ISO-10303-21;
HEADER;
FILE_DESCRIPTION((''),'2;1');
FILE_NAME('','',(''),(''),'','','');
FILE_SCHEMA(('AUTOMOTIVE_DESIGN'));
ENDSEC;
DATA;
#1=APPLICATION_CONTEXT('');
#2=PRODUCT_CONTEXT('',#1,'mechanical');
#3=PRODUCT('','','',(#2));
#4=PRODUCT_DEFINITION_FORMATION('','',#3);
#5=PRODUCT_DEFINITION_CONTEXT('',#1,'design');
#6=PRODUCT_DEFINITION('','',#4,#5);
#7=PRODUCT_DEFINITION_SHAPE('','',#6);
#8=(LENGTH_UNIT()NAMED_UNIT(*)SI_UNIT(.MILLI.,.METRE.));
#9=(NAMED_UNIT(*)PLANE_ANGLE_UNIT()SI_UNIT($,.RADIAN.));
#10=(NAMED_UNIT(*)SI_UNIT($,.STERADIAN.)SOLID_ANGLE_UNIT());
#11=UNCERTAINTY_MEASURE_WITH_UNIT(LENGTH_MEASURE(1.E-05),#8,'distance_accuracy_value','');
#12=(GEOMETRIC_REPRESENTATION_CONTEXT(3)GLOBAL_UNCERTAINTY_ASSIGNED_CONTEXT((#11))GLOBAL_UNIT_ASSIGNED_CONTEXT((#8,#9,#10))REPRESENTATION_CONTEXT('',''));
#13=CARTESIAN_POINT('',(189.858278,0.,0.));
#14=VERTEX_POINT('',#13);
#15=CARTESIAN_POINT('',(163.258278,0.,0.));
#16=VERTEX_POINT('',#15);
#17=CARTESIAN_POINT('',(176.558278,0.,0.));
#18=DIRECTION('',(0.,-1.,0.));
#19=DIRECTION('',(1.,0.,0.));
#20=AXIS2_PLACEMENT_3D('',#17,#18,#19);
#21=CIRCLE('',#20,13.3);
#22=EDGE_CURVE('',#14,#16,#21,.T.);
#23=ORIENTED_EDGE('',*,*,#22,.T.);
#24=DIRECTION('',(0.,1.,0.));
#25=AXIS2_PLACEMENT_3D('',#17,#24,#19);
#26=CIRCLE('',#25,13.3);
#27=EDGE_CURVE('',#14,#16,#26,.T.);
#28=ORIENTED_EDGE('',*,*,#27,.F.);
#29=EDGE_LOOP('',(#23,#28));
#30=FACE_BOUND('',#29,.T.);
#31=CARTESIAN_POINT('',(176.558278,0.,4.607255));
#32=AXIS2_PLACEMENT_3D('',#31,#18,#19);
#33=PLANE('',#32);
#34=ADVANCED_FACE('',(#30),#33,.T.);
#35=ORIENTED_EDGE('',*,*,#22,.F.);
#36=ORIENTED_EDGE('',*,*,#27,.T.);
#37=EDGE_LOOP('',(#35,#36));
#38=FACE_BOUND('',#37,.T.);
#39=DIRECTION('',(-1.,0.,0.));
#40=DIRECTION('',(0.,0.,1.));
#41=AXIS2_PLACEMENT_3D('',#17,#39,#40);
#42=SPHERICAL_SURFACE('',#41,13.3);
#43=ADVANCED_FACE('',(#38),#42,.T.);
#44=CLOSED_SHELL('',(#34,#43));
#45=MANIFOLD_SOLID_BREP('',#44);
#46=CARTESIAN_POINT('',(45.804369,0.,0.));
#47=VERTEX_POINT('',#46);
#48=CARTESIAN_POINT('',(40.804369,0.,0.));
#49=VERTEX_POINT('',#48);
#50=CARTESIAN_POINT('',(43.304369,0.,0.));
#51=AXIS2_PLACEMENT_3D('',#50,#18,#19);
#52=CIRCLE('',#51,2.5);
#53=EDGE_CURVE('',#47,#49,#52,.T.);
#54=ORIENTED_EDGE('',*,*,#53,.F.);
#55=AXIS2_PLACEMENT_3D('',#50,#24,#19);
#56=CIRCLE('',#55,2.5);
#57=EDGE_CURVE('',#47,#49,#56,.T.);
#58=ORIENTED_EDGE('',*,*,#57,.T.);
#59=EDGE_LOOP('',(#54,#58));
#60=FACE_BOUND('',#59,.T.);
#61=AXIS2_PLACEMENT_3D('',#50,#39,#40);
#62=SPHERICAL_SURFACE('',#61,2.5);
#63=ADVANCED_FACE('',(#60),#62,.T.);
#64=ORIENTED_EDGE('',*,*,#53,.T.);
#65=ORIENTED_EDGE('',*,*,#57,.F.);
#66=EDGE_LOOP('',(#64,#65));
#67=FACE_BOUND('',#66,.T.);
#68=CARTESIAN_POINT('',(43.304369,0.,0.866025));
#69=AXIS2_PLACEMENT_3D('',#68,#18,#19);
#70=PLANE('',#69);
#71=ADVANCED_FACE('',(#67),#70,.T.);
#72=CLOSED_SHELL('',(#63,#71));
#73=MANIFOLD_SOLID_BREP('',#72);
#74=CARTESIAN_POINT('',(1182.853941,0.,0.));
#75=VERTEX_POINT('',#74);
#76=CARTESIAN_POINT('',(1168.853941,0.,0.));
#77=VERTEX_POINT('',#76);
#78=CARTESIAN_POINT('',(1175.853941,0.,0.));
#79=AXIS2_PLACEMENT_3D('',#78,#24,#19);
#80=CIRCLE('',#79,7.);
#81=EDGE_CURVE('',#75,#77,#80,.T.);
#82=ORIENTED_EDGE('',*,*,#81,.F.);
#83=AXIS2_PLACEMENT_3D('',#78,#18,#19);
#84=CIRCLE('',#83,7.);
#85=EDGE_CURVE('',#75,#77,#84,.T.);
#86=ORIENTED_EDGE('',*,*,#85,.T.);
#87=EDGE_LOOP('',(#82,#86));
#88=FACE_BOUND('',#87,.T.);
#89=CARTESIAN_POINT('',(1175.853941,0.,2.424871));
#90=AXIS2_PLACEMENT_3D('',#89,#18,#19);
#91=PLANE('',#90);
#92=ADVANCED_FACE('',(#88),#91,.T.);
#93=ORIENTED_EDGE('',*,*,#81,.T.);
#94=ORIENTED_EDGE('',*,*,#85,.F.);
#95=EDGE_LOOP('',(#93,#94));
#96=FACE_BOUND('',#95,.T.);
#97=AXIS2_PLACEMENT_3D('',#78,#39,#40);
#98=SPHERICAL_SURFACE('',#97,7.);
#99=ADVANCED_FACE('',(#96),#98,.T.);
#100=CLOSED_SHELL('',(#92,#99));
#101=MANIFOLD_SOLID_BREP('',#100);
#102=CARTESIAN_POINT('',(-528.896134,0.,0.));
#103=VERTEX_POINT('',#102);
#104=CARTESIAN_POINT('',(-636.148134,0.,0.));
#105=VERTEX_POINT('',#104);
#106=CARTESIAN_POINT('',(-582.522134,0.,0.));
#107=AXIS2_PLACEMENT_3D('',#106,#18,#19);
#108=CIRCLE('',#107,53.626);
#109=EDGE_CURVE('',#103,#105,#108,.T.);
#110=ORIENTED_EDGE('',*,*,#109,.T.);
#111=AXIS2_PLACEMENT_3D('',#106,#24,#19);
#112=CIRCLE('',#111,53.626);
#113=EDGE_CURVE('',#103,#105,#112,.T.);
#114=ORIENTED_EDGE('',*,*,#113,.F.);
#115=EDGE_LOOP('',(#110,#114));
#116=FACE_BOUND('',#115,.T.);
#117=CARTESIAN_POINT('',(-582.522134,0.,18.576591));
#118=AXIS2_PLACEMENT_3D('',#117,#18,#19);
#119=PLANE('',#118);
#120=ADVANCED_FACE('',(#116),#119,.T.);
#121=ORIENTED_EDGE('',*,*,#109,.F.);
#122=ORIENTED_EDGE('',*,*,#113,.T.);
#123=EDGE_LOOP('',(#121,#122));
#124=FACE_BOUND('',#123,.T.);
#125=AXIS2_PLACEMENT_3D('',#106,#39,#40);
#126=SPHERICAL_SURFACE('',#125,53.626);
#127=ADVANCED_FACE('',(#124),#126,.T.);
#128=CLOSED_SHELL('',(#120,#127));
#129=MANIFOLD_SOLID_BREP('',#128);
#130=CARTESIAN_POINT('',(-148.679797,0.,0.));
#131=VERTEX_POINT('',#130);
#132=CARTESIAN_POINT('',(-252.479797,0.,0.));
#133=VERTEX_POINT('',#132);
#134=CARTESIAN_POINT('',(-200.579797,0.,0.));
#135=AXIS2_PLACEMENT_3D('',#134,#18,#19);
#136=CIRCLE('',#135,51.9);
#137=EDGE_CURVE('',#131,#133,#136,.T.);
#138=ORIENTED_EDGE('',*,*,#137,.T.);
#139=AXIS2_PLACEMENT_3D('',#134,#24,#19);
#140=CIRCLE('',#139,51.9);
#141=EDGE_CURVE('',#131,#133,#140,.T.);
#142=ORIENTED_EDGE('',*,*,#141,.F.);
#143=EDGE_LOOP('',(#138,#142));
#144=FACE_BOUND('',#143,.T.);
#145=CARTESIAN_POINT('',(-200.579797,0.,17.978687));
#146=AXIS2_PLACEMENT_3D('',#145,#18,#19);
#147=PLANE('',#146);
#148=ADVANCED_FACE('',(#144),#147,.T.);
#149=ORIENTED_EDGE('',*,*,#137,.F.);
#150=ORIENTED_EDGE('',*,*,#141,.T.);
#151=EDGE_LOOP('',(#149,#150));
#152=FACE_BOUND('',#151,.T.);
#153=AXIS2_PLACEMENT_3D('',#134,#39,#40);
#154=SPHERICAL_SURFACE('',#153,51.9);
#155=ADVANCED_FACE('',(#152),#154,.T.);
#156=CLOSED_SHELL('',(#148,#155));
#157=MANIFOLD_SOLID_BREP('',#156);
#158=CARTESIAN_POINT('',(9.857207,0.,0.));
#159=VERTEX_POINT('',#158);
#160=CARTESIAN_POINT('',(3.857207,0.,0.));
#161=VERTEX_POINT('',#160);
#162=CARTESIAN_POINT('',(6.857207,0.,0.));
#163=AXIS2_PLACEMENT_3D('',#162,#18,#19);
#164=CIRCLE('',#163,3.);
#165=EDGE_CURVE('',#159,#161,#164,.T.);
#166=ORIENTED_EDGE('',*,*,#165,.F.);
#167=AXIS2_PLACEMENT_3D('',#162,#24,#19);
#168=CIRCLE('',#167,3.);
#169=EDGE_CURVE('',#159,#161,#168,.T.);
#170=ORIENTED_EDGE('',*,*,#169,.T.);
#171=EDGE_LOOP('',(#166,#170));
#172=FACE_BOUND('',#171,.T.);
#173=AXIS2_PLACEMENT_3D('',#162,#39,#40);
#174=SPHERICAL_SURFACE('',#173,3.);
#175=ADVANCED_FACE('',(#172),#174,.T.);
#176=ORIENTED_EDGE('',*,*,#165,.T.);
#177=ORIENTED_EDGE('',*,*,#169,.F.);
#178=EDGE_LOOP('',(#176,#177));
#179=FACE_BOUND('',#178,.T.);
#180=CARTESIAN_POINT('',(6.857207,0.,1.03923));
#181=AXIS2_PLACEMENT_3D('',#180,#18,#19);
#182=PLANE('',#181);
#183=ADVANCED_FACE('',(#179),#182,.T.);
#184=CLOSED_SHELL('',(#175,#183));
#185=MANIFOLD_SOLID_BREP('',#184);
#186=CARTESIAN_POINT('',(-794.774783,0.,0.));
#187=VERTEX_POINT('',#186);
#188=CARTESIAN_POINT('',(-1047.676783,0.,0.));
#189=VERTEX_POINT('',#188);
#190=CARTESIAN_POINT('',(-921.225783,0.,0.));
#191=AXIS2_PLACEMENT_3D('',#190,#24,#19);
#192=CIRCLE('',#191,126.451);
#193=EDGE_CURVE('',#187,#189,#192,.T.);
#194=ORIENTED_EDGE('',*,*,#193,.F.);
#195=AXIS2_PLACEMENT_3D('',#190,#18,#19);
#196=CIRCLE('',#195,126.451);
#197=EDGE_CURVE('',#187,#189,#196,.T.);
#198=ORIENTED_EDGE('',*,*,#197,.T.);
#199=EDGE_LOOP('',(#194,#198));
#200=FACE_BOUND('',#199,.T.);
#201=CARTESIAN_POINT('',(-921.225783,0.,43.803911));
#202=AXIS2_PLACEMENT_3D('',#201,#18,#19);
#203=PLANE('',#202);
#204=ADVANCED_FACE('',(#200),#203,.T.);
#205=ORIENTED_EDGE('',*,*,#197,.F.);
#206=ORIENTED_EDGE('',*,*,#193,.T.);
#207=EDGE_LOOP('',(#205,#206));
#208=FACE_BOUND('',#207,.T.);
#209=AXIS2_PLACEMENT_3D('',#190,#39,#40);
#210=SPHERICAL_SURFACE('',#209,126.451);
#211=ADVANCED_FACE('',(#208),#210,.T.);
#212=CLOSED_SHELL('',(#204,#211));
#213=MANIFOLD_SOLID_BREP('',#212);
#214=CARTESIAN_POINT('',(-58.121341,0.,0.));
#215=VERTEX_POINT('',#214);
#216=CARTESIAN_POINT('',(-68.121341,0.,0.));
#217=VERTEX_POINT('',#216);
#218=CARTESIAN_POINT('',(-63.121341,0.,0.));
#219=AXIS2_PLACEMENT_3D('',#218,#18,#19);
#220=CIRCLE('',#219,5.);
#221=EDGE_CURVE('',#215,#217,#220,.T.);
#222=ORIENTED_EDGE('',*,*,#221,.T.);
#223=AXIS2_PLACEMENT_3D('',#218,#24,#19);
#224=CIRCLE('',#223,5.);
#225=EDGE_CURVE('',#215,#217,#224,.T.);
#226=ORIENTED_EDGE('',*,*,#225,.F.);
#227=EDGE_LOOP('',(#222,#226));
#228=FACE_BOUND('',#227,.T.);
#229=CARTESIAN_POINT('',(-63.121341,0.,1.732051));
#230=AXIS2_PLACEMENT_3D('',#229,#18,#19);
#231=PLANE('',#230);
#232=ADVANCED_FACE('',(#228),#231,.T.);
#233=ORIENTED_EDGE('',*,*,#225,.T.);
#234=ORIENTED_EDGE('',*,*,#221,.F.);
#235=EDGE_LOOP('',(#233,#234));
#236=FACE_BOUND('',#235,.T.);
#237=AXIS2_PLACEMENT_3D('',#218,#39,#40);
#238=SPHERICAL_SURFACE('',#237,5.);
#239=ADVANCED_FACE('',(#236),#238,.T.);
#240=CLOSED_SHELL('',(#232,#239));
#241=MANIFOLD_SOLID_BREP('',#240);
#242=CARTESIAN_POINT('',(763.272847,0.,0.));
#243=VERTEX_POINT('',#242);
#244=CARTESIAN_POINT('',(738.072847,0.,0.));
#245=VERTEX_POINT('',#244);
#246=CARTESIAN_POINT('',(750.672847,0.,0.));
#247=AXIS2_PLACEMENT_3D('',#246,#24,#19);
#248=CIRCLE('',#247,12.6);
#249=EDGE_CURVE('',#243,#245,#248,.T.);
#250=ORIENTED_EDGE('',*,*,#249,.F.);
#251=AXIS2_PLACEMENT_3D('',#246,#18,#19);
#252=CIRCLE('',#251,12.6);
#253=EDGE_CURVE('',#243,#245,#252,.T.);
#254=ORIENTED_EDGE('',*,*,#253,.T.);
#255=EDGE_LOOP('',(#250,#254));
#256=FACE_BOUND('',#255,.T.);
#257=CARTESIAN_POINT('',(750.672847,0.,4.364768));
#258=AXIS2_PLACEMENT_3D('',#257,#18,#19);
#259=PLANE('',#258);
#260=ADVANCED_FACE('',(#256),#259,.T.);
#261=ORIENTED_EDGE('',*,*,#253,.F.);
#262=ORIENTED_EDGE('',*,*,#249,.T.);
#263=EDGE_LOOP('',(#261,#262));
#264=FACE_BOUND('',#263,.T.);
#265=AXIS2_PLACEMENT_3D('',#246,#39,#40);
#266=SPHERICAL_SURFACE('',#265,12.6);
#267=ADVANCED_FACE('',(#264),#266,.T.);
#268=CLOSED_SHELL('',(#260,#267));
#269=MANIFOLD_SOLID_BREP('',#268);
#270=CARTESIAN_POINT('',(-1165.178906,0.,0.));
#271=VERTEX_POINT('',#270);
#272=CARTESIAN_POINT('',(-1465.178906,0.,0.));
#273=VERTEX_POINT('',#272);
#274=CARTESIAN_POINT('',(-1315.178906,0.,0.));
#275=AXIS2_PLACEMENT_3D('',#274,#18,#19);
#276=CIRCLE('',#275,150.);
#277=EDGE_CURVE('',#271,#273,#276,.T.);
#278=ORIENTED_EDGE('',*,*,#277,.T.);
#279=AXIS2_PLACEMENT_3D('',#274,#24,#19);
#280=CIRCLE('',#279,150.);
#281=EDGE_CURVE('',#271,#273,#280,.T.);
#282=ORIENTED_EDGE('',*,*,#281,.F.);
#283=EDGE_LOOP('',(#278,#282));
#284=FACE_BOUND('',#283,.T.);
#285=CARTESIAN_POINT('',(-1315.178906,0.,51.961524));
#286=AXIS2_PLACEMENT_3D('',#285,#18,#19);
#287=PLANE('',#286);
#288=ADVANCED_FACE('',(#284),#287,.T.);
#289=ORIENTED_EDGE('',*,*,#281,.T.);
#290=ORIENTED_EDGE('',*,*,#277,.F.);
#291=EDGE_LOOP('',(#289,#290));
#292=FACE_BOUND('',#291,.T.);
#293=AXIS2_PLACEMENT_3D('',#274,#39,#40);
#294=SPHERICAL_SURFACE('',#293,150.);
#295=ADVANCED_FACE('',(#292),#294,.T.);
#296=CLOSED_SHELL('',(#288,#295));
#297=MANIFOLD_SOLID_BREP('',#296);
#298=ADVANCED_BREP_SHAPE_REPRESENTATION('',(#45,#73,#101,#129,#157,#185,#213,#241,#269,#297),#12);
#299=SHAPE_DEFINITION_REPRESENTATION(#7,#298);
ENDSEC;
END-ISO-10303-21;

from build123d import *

# Parameters (mm, degrees)
F1_ANGLE = 180


with BuildPart() as f1:
    # F0 (on Front) → F1 (revolve)
    with BuildSketch(Plane.XZ):
        with BuildLine():
            Line((-1465.178906, 0), (-1165.178906, 0))
            ThreePointArc((-1165.178906, 0), (-1315.178906, 150), (-1465.178906, 0))
        make_face()
        with BuildLine():
            Line((-1047.676783, 0), (-794.774783, 0))
            ThreePointArc((-794.774783, 0), (-921.225783, 126.451), (-1047.676783, 0))
        make_face()
        with BuildLine():
            Line((-636.148134, 0), (-528.896134, 0))
            ThreePointArc((-528.896134, 0), (-582.522134, 53.626), (-636.148134, 0))
        make_face()
        with BuildLine():
            Line((-252.479797, 0), (-148.679797, 0))
            ThreePointArc((-148.679797, 0), (-200.579797, 51.9), (-252.479797, 0))
        make_face()
        with BuildLine():
            Line((163.258278, 0), (189.858278, 0))
            ThreePointArc((189.858278, 0), (176.558278, 13.3), (163.258278, 0))
        make_face()
        with BuildLine():
            Line((738.072847, 0), (763.272847, 0))
            ThreePointArc((763.272847, 0), (750.672847, 12.6), (738.072847, 0))
        make_face()
        with BuildLine():
            Line((1168.853941, 0), (1182.853941, 0))
            ThreePointArc((1182.853941, 0), (1175.853941, 7), (1168.853941, 0))
        make_face()
        with BuildLine():
            Line((-68.121341, 0), (-58.121341, 0))
            ThreePointArc((-58.121341, 0), (-63.121341, 5), (-68.121341, 0))
        make_face()
        with BuildLine():
            Line((3.857207, 0), (9.857207, 0))
            ThreePointArc((9.857207, 0), (6.857207, 3), (3.857207, 0))
        make_face()
        with BuildLine():
            Line((40.804369, 0), (45.804369, 0))
            ThreePointArc((45.804369, 0), (43.304369, 2.5), (40.804369, 0))
        make_face()
    revolve(axis=Axis((-1315.178906, 0, 0), (-1, 0, 0)), revolution_arc=F1_ANGLE)


solid = f1.part
